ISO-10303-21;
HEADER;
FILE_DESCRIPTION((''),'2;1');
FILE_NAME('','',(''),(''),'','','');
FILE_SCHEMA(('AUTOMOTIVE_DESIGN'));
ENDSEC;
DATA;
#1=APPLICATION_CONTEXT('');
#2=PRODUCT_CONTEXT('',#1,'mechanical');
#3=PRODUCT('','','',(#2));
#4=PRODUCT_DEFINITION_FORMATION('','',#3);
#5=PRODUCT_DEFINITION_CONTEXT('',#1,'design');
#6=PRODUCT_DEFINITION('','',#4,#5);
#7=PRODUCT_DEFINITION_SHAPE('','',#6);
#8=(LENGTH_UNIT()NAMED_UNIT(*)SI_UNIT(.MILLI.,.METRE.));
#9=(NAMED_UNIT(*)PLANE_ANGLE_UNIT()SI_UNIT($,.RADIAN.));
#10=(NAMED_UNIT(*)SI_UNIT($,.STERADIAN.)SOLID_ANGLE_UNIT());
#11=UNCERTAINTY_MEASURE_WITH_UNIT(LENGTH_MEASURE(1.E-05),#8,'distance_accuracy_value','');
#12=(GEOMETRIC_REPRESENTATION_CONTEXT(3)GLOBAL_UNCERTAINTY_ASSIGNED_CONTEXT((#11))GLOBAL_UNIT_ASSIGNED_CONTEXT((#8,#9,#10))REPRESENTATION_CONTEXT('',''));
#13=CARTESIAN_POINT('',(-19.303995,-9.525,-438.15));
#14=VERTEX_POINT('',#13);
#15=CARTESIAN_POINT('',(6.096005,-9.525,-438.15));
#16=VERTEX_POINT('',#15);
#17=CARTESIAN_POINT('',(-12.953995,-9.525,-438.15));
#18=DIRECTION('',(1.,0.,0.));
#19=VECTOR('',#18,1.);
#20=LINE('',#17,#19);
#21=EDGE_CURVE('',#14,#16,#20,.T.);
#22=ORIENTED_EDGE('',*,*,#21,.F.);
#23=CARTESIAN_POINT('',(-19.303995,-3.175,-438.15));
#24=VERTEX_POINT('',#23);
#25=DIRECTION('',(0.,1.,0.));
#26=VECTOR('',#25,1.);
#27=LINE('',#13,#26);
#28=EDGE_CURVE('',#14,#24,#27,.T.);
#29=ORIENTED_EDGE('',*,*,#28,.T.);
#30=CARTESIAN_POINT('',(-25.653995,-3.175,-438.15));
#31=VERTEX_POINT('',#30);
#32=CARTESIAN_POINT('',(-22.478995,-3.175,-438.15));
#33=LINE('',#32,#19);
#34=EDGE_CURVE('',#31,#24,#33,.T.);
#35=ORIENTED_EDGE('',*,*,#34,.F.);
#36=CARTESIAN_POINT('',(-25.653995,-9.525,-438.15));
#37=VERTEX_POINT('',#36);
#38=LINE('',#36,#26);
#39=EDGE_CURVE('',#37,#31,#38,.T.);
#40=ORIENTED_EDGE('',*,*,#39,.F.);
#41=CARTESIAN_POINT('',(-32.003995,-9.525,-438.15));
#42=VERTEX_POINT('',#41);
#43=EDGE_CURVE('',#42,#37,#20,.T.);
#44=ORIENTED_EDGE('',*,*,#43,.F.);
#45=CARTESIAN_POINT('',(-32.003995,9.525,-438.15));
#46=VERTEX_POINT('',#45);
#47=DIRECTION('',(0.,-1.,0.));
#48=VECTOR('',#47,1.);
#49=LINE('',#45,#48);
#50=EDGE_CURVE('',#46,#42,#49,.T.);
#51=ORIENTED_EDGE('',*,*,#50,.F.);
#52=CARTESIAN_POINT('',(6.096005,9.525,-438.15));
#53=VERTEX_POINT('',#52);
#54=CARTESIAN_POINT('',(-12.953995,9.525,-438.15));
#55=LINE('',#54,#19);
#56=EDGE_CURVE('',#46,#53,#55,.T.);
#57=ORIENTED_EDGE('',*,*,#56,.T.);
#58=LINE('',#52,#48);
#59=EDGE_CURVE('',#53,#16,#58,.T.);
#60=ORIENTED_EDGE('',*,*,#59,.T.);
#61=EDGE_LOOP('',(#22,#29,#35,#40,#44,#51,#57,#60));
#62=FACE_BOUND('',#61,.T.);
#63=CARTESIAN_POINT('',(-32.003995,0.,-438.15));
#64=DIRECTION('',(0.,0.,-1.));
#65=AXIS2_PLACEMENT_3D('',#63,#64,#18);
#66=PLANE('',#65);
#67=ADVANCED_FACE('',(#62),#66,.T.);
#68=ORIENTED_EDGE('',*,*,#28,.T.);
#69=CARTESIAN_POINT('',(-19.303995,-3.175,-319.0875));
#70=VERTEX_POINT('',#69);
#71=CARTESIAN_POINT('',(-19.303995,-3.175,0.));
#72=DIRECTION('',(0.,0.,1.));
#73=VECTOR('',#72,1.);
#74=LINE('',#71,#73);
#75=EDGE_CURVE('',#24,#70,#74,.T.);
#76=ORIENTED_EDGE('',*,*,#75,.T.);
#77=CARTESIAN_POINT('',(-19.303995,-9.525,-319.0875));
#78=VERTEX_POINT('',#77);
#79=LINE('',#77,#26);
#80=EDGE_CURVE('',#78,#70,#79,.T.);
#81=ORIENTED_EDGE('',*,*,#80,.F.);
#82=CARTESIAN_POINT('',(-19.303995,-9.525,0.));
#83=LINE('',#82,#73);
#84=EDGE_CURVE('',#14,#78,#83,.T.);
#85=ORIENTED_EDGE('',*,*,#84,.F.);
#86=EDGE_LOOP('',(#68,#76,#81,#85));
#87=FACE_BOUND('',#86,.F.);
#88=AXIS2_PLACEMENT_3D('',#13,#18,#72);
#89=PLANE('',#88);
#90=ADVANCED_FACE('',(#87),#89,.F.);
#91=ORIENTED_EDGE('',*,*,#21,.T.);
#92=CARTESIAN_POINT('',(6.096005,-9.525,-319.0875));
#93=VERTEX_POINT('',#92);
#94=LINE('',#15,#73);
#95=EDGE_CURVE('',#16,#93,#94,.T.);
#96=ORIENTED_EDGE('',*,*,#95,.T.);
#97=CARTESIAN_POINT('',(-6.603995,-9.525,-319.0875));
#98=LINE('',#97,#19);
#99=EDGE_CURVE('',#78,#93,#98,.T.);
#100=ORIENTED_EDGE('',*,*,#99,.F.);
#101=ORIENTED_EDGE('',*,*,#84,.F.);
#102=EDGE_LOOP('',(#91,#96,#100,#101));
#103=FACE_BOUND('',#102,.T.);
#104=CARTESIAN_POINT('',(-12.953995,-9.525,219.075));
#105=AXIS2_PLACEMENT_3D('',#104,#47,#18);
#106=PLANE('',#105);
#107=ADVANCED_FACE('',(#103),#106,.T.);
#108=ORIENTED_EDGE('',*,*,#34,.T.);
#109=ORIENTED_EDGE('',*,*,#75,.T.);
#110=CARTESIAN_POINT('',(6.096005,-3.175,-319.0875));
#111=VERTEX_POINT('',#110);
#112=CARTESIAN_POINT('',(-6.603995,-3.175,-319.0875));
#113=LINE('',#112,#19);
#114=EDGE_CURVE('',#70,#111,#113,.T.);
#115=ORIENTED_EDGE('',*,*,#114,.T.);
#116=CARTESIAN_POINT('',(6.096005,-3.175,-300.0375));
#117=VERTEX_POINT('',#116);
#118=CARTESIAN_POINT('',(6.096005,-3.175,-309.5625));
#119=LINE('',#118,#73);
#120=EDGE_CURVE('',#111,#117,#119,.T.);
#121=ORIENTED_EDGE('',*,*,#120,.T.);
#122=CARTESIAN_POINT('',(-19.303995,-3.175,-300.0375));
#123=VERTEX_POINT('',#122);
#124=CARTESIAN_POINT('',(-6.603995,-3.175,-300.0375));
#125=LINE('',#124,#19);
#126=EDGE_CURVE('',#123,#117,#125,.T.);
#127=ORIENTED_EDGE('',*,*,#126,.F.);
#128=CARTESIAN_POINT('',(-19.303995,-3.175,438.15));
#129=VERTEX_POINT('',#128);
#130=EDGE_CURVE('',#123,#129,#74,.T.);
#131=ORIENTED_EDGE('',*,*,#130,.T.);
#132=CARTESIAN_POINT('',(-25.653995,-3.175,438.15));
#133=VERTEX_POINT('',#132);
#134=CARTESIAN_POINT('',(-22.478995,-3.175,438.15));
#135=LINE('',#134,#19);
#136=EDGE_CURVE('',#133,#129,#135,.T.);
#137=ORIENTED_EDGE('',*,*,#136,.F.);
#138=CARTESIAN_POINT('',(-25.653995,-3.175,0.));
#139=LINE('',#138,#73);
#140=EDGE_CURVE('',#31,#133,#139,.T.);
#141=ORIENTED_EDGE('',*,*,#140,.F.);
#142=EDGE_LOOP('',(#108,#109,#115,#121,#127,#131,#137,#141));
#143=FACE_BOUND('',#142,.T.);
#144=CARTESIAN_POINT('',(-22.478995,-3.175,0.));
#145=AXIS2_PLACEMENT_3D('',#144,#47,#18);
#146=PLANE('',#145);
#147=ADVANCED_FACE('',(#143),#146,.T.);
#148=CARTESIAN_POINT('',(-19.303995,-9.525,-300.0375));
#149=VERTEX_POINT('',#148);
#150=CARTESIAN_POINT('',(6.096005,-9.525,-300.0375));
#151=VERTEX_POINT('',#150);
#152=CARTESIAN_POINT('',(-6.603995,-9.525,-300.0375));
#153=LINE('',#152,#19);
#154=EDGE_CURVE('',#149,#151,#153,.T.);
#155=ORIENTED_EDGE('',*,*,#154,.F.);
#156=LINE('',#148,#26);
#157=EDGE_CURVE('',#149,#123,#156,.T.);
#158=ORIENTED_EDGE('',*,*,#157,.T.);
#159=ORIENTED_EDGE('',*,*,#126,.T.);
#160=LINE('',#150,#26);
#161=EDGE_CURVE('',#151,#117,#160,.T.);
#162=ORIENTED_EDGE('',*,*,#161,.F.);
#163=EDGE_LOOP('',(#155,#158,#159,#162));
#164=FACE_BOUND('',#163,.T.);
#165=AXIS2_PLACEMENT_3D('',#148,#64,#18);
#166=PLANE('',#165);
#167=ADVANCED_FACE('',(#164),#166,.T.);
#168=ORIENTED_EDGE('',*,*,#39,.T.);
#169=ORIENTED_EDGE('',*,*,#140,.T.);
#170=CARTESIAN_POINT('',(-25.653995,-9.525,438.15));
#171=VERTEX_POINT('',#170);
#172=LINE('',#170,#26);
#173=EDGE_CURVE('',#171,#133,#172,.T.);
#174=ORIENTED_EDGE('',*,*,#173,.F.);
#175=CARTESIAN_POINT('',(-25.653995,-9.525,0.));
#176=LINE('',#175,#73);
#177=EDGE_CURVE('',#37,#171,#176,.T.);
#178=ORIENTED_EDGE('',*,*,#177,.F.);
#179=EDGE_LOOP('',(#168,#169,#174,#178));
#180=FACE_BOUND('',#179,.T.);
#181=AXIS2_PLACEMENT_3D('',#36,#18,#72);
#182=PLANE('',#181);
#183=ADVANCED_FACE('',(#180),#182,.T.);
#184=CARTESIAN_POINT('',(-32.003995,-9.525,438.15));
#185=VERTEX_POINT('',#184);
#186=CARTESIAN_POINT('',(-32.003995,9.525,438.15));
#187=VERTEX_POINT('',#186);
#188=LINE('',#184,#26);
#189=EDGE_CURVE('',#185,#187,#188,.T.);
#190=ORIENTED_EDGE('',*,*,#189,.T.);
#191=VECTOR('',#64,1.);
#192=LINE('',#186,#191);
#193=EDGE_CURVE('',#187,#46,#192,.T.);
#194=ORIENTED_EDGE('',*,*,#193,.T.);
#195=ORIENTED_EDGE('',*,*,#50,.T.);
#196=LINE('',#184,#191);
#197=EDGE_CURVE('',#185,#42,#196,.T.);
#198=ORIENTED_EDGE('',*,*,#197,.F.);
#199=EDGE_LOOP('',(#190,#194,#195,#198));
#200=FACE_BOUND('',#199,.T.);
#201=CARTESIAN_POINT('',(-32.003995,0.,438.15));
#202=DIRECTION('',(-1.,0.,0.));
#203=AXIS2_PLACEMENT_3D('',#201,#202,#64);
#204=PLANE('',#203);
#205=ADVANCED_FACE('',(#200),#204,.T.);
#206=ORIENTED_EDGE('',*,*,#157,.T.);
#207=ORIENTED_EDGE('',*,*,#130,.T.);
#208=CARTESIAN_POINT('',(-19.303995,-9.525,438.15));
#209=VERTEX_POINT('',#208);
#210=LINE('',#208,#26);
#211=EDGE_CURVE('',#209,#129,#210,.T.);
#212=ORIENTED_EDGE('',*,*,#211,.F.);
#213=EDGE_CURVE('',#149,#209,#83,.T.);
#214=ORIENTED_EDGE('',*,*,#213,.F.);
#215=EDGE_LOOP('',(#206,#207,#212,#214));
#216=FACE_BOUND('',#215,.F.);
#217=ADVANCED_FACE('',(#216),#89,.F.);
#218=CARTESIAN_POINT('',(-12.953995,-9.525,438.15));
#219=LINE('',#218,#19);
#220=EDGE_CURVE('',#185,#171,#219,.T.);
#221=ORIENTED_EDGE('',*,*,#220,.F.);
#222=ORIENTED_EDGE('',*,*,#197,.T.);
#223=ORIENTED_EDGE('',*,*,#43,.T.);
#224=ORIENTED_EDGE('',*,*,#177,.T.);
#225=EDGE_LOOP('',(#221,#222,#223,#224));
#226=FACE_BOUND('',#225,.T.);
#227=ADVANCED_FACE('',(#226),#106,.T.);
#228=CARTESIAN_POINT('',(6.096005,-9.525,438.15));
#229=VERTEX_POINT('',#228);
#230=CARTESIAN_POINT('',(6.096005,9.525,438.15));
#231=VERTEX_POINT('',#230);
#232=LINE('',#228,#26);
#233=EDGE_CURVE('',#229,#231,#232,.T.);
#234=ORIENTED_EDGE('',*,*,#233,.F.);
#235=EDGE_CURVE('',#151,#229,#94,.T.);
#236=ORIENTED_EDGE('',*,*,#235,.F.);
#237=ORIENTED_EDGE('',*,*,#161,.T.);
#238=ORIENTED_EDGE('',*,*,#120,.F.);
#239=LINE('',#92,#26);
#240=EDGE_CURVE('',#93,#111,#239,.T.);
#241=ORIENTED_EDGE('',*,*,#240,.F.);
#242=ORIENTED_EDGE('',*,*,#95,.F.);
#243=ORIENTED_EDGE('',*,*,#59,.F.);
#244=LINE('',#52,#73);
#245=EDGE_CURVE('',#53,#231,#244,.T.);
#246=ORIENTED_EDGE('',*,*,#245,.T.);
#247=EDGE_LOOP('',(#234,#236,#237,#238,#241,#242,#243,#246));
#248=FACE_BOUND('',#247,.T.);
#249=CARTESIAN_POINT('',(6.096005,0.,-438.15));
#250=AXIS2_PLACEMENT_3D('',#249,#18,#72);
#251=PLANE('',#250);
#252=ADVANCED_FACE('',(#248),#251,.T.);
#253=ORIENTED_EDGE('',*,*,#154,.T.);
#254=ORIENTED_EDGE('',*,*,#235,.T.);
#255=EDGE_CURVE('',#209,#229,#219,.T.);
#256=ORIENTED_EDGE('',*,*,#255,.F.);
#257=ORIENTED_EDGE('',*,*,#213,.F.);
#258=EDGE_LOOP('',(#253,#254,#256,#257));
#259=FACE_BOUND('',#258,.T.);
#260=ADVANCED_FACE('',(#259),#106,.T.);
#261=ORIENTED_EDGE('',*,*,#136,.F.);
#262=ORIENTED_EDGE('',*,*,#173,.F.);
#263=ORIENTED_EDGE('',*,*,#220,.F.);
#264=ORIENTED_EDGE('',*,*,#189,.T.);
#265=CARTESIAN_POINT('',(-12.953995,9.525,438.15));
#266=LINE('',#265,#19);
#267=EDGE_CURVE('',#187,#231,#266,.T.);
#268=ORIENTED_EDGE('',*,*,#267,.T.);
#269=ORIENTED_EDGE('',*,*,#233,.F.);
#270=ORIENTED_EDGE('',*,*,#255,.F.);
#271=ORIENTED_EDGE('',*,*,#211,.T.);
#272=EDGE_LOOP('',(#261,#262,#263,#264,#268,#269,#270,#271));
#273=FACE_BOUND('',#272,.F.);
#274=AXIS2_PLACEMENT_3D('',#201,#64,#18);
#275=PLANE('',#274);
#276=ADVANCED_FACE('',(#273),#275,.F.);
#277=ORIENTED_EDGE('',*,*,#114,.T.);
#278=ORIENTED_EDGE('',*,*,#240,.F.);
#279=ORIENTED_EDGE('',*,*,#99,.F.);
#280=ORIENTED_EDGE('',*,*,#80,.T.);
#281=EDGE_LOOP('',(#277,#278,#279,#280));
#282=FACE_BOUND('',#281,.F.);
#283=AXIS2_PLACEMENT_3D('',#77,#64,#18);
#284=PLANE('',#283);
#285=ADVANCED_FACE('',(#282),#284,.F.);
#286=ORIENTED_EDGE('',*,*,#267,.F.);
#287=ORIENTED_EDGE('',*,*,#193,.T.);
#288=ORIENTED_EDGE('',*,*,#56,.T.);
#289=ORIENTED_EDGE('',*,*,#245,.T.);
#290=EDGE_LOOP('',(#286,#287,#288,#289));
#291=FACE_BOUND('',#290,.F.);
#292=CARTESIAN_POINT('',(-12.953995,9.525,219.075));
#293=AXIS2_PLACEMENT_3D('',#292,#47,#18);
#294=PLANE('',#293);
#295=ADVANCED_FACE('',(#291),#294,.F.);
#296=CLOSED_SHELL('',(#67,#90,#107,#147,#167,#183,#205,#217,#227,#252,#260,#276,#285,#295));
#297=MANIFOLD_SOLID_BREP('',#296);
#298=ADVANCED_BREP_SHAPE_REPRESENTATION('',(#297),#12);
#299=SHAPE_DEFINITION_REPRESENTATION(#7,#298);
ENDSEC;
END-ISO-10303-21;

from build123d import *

# Parameters (mm, degrees)
F0_W     = 38.1
F0_H     = 438.15
F1_DEPTH = 9.525
F2_W     = 6.35
F2_H     = 876.3
F3_DEPTH = 6.35
F5_W     = 25.4
F5_H     = 19.05
F6_DEPTH = 6.35


with BuildPart() as f1:
    # F0 (on Front) → F1 (new body, symmetric)
    with BuildSketch(Plane.XZ):
        with Locations((-12.9539953259, 219.075)):
            Rectangle(F0_W, F0_H)
        with Locations((-12.9539953259, -219.075)):
            Rectangle(F0_W, F0_H)
    extrude(amount=F1_DEPTH, both=True)

    # F2 (on face) → F3 (cut)
    with BuildSketch(Plane.XZ.offset(9.525)):
        with Locations((-22.4789953259, 0)):
            Rectangle(F2_W, F2_H)
    extrude(amount=-F3_DEPTH, mode=Mode.SUBTRACT)

    # F5 (on face) → F6 (cut)
    with BuildSketch(Plane.XZ.offset(9.525)):
        with Locations((-6.6039953259, -309.5625)):
            Rectangle(F5_W, F5_H)
    extrude(amount=-F6_DEPTH, mode=Mode.SUBTRACT)


solid = f1.part
